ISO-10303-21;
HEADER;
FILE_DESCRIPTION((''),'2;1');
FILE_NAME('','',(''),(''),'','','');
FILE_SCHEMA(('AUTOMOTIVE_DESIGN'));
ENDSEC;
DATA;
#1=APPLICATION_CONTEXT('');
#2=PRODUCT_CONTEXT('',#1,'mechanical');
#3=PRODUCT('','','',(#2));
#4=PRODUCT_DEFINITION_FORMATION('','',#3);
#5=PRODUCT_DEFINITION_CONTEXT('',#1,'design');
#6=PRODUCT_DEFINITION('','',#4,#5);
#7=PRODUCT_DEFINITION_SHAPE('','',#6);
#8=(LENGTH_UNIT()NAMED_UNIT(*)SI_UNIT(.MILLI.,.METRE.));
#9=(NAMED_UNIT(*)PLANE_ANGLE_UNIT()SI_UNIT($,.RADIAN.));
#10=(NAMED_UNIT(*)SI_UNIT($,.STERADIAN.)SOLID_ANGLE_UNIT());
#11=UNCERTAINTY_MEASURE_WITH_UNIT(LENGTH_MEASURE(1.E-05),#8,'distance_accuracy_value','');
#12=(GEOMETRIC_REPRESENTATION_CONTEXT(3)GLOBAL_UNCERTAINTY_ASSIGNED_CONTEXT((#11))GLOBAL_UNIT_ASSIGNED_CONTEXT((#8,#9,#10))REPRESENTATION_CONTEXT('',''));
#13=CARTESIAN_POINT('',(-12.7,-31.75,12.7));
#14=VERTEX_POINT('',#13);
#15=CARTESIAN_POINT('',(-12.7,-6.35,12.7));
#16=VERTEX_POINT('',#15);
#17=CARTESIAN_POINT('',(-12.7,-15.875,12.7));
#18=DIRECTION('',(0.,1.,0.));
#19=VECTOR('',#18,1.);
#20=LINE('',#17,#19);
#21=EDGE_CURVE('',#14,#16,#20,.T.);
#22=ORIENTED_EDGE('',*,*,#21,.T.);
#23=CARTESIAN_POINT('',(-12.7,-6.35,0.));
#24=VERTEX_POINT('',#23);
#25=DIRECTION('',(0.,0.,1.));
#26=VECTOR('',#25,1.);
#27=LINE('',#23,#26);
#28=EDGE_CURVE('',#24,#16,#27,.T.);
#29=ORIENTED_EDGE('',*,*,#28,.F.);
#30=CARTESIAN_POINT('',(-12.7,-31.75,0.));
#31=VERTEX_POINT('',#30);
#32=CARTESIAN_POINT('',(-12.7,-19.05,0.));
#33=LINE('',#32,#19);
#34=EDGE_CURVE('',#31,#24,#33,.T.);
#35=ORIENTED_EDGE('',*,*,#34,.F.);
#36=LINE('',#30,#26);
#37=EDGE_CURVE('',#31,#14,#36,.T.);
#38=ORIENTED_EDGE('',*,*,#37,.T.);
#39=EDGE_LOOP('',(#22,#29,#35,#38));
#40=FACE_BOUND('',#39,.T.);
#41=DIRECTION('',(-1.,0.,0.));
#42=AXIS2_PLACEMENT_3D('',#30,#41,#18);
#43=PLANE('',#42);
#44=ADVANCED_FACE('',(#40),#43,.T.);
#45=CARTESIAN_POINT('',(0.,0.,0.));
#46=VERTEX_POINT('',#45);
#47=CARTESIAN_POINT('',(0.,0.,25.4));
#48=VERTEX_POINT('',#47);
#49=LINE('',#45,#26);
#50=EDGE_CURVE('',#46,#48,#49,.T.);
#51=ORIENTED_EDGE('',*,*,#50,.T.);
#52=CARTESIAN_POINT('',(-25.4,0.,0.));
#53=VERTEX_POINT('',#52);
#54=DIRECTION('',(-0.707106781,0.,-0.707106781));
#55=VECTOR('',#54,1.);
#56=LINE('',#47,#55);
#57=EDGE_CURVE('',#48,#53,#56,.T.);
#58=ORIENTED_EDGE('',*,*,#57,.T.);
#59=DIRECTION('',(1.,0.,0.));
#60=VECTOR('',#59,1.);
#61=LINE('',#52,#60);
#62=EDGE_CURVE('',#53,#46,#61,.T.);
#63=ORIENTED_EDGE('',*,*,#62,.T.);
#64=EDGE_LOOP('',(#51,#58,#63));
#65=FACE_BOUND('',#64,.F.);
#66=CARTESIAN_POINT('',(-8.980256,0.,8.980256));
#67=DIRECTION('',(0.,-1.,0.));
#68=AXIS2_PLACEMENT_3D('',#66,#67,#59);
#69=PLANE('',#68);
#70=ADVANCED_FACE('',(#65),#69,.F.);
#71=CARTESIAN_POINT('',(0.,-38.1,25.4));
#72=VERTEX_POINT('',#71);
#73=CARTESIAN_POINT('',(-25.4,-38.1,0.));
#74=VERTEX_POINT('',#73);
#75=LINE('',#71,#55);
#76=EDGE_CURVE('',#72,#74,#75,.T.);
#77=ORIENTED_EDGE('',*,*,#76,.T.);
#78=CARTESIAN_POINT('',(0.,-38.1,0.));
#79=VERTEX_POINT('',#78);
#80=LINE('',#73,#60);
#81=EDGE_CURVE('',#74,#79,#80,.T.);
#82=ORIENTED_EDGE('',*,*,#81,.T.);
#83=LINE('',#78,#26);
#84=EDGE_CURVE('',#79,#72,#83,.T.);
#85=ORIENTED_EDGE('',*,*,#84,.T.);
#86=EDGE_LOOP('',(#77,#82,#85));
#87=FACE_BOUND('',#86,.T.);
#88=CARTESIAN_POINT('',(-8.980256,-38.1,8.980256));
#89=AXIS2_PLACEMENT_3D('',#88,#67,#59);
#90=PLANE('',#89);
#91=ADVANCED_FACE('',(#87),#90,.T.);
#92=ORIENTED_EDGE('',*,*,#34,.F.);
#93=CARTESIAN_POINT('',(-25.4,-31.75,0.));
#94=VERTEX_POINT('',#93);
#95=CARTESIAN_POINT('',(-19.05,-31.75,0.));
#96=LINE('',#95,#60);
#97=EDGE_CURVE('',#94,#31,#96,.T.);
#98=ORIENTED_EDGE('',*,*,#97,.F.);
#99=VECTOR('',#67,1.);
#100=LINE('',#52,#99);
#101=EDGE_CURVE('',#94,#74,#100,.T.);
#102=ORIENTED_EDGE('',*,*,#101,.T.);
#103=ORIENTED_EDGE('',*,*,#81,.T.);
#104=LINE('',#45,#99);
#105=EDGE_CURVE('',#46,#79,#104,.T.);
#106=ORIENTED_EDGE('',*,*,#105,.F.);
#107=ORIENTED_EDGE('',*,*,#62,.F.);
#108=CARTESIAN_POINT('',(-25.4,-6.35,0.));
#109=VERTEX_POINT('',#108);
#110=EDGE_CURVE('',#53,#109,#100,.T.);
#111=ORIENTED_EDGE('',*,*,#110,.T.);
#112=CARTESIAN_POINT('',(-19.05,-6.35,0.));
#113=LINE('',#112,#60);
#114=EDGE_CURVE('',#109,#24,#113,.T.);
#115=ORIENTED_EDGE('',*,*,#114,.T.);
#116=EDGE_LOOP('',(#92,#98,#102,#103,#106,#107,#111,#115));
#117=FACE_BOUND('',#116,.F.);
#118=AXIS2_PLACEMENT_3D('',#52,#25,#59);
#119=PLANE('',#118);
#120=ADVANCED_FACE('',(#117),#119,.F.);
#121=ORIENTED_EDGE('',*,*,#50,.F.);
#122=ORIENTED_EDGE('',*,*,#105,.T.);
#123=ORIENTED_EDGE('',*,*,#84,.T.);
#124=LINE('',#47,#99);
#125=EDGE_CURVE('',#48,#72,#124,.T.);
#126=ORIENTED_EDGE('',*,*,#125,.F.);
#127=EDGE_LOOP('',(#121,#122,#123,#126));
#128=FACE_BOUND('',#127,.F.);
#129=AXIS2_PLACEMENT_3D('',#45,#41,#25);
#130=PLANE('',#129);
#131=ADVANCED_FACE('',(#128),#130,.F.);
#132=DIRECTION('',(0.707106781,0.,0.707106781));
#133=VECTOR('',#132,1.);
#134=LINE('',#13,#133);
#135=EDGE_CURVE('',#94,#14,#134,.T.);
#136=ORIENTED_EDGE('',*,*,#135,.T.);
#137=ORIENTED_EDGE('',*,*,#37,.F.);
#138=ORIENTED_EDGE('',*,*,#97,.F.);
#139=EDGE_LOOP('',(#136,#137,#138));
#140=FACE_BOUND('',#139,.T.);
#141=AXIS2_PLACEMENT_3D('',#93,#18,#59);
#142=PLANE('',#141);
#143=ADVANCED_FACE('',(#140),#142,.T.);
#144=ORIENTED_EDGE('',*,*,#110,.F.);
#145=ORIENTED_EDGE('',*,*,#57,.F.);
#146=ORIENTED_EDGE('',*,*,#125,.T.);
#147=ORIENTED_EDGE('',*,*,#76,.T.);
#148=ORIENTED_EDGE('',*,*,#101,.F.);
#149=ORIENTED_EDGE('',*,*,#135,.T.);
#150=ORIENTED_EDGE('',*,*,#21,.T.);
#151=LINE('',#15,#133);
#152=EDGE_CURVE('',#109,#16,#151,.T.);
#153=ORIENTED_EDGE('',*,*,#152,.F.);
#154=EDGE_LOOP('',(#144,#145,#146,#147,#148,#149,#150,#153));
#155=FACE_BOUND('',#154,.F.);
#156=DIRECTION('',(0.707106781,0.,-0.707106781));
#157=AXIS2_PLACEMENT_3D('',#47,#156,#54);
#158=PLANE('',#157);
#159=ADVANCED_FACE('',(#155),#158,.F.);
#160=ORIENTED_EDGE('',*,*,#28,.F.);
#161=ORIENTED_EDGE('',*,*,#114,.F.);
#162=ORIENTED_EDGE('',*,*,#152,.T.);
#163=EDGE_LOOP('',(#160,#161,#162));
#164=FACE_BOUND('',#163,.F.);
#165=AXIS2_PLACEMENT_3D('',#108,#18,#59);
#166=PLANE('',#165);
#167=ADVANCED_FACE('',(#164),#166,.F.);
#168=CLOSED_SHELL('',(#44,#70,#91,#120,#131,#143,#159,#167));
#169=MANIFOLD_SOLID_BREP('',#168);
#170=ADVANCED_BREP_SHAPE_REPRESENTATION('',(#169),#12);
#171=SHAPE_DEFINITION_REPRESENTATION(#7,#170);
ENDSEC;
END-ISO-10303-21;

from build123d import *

# Parameters (mm, degrees)
F1_DEPTH = 38.1
F2_W     = 12.7
F2_H     = 25.4
F3_DEPTH = 25.401


with BuildPart() as f1:
    # F0 (on Front) → F1 (new body)
    with BuildSketch(Plane.XZ):
        Polygon((-25.4, 0), (0, 0), (0, 25.4), align=None)
    extrude(amount=F1_DEPTH)

    # F2 (on Top) → F3 (cut, through all)
    with BuildSketch(Plane.XY):
        with Locations((-19.05, -19.05)):
            Rectangle(F2_W, F2_H)
    extrude(amount=F3_DEPTH, mode=Mode.SUBTRACT)


solid = f1.part
